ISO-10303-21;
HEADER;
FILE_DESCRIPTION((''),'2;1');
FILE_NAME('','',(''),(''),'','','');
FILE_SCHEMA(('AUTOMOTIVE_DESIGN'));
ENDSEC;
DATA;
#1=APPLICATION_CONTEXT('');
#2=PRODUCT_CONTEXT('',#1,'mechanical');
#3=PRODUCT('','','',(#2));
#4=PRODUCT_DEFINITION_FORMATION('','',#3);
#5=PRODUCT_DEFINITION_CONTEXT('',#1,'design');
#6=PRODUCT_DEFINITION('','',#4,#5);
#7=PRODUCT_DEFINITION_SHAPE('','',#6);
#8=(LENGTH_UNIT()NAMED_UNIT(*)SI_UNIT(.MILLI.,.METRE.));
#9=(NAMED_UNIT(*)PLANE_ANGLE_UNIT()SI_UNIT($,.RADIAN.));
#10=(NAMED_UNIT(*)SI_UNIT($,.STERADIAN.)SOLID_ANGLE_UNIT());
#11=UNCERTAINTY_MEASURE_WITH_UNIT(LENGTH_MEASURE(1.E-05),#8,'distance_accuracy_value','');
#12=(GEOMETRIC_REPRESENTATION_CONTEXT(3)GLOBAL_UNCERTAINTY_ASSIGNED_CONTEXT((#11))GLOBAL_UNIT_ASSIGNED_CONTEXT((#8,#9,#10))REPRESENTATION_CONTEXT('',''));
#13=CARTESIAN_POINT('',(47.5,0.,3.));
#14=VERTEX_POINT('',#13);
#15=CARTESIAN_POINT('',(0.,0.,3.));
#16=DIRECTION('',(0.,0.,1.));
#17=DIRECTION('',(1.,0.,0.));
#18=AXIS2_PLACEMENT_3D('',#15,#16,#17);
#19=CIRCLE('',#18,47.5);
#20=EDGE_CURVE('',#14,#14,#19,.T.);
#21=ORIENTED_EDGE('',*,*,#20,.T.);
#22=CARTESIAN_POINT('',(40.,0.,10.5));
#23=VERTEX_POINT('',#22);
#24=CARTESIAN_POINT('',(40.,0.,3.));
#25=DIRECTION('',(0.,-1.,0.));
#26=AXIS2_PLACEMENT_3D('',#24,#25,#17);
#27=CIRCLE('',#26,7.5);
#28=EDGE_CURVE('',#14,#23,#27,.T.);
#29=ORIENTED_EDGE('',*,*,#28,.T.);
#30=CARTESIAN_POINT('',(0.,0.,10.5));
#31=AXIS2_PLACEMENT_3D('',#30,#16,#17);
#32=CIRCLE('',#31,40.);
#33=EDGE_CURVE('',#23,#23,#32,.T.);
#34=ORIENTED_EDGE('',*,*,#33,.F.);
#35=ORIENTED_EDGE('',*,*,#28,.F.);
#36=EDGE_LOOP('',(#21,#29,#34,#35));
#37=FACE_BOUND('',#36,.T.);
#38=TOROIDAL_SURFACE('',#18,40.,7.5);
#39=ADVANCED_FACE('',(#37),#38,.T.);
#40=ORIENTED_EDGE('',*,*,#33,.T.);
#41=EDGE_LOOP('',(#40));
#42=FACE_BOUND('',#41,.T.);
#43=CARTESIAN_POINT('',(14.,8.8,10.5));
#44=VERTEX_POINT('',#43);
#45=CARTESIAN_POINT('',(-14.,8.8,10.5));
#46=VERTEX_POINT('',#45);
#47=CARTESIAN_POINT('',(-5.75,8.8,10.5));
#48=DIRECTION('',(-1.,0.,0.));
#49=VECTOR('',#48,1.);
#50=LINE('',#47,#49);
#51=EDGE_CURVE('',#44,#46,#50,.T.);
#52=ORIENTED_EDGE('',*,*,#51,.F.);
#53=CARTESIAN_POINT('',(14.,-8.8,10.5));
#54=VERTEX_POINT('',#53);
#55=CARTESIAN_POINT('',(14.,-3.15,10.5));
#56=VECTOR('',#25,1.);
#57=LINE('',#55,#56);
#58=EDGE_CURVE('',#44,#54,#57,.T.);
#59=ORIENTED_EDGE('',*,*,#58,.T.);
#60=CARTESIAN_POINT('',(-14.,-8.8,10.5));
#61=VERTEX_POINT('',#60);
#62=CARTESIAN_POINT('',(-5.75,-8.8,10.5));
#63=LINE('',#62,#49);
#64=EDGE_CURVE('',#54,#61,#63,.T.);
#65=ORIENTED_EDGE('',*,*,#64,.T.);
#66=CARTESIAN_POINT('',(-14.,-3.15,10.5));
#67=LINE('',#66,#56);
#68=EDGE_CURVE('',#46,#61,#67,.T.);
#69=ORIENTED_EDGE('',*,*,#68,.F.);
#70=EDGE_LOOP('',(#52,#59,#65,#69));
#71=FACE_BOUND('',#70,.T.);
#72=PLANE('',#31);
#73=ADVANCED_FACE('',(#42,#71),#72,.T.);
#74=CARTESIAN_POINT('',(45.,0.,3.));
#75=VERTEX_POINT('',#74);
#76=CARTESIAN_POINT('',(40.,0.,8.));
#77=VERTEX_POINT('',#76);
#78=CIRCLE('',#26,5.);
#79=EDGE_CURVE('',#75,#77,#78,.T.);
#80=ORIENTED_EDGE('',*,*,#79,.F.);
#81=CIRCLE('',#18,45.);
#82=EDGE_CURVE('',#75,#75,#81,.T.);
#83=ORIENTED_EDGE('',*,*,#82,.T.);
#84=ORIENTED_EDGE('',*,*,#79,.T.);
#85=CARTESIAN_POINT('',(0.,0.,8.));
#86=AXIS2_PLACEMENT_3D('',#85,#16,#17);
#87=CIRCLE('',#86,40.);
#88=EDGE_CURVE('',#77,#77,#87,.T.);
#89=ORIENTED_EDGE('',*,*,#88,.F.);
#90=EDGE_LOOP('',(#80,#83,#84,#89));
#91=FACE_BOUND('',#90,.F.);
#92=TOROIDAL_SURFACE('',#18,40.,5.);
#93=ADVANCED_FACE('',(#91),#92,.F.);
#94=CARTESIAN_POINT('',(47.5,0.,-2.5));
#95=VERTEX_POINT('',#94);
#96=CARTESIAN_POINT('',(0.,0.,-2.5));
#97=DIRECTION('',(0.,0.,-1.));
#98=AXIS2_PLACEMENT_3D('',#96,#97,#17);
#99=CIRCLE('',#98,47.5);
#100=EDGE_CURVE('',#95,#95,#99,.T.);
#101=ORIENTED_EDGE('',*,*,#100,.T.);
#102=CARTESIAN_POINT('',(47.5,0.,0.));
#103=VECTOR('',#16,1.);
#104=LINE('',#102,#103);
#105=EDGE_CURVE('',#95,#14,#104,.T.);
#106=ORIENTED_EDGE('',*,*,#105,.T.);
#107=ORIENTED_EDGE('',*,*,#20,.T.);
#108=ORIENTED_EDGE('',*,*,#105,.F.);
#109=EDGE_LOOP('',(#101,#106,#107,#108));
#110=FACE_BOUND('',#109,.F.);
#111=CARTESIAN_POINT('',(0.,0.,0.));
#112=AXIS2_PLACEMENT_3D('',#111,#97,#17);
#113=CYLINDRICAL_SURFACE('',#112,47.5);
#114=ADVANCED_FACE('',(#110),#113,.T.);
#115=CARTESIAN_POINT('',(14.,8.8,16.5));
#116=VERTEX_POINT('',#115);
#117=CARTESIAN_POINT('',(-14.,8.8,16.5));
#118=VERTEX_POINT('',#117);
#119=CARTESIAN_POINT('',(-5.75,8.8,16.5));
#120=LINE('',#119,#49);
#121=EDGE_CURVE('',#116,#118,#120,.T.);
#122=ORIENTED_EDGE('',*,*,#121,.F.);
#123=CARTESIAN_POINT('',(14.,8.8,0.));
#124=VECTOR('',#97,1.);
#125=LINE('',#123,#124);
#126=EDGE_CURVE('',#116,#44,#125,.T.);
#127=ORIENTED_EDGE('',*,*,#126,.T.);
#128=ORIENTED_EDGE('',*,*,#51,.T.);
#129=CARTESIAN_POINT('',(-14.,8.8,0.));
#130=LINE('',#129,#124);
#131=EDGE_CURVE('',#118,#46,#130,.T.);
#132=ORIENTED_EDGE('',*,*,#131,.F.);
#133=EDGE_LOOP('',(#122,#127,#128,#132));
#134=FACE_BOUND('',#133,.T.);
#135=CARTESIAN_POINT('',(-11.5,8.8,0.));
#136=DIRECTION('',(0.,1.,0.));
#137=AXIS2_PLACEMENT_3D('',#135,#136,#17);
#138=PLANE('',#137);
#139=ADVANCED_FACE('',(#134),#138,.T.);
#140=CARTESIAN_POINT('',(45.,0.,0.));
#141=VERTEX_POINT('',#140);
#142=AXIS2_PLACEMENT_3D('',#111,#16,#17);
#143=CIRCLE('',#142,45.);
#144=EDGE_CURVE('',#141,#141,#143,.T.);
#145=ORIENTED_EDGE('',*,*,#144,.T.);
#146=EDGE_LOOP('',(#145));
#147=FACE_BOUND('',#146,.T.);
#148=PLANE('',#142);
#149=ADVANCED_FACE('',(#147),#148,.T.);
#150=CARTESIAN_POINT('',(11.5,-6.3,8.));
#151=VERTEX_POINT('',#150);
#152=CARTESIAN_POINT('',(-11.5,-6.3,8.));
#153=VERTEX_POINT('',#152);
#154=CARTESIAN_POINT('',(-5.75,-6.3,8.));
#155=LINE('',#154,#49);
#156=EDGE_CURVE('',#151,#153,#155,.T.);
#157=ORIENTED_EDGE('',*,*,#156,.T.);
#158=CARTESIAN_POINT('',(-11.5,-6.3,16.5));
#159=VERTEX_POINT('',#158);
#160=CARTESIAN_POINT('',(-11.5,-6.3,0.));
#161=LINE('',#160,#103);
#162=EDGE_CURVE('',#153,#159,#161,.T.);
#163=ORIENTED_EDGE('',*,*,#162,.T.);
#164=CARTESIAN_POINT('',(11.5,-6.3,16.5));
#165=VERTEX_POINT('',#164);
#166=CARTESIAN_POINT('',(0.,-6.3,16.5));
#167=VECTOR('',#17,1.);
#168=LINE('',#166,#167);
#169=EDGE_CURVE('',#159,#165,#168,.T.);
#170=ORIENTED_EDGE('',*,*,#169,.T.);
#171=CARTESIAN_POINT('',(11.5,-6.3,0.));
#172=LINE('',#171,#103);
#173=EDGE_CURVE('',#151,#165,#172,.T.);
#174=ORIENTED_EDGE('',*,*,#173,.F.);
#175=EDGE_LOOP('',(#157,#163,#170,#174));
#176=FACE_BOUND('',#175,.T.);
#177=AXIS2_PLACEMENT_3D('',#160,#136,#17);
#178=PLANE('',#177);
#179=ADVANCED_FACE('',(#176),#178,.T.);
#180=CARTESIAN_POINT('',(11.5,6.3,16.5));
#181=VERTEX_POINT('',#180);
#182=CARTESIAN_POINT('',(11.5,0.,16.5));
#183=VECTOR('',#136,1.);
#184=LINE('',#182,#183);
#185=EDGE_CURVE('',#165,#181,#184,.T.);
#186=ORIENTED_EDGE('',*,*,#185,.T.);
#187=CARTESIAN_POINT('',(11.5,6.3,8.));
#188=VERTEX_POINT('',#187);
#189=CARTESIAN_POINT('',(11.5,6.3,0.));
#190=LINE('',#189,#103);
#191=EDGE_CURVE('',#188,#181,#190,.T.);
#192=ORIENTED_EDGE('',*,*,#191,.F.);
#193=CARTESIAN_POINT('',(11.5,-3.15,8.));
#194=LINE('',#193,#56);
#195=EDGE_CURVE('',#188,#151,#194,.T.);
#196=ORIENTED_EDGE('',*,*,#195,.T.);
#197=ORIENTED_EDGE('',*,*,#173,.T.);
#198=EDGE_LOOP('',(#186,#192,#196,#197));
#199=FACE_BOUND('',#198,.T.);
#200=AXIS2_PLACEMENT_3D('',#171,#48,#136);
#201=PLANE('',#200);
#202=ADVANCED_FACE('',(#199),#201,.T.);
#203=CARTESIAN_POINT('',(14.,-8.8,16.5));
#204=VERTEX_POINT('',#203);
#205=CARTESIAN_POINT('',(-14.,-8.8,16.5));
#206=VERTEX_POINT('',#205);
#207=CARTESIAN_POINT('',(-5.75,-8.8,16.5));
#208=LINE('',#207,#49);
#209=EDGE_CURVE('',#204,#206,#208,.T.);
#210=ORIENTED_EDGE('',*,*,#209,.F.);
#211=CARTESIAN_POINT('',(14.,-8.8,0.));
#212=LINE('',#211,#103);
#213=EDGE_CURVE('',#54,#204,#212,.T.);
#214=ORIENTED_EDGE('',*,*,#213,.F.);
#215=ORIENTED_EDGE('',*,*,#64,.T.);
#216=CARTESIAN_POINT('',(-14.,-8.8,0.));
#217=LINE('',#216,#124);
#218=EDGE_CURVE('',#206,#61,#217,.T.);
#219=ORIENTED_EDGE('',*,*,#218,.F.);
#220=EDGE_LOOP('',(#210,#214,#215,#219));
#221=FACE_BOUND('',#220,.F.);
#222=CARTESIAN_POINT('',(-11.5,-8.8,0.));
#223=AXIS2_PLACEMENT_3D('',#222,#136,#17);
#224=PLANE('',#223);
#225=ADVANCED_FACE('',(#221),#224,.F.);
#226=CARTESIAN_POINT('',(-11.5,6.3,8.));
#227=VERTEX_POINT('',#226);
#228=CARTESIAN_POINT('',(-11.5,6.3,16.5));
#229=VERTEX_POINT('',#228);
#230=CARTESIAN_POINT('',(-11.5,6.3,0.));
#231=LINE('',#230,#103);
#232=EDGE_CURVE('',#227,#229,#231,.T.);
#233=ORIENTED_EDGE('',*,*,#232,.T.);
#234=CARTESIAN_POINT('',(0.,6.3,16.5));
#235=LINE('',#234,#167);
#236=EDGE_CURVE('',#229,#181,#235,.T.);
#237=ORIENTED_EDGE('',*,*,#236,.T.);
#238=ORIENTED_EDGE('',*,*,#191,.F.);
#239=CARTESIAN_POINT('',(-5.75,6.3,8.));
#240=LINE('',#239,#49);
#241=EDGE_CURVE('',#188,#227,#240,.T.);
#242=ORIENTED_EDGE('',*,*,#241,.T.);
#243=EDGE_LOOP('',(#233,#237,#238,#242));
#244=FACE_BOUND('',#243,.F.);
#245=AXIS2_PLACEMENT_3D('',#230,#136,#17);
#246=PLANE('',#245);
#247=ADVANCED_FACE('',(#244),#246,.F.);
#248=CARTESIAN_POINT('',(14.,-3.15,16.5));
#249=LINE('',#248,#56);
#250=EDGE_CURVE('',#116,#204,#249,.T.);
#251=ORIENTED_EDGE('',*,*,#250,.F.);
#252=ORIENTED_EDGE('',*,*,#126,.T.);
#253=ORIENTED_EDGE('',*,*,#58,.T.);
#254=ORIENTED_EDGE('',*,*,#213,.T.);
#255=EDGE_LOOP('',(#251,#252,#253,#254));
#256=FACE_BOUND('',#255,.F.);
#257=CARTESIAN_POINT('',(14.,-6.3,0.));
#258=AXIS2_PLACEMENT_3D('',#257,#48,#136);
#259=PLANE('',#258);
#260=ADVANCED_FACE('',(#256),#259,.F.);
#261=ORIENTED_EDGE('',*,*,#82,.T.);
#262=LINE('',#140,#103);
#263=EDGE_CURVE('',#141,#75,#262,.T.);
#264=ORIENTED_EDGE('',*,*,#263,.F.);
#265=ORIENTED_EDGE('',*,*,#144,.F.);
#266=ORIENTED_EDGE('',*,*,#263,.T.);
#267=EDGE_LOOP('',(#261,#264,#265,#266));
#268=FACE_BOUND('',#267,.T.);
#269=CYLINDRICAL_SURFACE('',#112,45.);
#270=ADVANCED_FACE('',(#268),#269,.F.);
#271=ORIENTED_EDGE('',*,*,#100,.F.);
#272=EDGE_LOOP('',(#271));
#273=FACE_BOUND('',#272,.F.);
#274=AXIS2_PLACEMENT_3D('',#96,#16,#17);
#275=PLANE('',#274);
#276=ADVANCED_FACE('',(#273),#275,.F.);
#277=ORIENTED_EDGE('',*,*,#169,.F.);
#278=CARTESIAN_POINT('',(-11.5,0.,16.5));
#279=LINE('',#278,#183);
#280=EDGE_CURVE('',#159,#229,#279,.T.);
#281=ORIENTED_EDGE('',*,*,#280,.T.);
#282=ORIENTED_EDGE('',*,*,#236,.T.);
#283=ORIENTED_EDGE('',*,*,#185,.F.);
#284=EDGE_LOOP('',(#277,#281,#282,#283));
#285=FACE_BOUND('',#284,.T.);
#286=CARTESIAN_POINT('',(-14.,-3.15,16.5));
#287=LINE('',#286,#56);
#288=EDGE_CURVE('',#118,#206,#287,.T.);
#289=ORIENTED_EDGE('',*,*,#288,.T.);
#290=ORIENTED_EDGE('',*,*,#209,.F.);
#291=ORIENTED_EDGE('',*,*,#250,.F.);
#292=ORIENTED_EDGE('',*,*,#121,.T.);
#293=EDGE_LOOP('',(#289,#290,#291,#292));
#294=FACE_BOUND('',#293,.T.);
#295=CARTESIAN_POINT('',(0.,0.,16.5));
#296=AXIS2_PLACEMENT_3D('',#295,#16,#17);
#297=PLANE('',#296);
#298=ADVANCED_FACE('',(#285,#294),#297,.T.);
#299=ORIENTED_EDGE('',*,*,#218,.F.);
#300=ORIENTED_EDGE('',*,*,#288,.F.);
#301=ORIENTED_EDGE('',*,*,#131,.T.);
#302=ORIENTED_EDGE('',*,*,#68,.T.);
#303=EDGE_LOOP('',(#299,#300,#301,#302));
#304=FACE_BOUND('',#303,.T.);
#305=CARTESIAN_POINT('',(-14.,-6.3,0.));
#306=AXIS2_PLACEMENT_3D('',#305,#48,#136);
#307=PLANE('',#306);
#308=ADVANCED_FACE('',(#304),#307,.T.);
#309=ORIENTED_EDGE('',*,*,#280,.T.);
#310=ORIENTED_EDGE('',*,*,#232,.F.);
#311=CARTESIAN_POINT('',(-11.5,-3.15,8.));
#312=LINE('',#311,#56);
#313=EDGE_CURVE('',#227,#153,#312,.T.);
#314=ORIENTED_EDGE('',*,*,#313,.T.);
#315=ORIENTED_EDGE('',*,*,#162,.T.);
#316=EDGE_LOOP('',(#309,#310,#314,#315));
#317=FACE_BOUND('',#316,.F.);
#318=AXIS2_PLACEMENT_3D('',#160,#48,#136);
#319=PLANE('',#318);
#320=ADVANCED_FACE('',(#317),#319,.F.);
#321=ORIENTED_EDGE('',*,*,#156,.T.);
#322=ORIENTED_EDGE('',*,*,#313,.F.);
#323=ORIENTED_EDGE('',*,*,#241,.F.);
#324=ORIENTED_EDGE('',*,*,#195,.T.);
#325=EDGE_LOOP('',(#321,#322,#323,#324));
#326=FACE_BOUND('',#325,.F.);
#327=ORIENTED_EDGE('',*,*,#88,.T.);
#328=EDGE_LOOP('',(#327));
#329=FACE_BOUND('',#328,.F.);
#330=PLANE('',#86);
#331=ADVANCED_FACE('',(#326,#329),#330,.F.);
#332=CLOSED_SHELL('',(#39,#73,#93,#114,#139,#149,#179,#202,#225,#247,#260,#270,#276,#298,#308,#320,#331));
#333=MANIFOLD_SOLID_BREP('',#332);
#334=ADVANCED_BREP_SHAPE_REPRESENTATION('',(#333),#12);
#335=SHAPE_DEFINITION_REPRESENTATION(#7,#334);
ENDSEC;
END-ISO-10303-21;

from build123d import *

# Parameters (mm, degrees)
F0_R     = 45
F1_DEPTH = 8
F2_R     = 5
F3_W     = 23
F3_H     = 12.6
F4_DEPTH = 16.5
F5_T     = 2.5


with BuildPart() as f1:
    # F0 (on Top) → F1 (new body)
    with BuildSketch(Plane.XY):
        Circle(F0_R)
    extrude(amount=F1_DEPTH)

    # F2
    f2_edges = [f1.edges().sort_by_distance(p)[0] for p in [
        (-45, 0, 8),
    ]]
    fillet(f2_edges, radius=F2_R)

    # F3 (on Top) → F4 (join)
    with BuildSketch(Plane.XY):
        Rectangle(F3_W, F3_H)
    extrude(amount=F4_DEPTH)

    # F5
    f5_openings = [f1.faces().sort_by_distance(p)[0] for p in [
        (0, 0, 16.5),
    ]]
    offset(amount=F5_T, openings=f5_openings, kind=Kind.INTERSECTION)


solid = f1.part
